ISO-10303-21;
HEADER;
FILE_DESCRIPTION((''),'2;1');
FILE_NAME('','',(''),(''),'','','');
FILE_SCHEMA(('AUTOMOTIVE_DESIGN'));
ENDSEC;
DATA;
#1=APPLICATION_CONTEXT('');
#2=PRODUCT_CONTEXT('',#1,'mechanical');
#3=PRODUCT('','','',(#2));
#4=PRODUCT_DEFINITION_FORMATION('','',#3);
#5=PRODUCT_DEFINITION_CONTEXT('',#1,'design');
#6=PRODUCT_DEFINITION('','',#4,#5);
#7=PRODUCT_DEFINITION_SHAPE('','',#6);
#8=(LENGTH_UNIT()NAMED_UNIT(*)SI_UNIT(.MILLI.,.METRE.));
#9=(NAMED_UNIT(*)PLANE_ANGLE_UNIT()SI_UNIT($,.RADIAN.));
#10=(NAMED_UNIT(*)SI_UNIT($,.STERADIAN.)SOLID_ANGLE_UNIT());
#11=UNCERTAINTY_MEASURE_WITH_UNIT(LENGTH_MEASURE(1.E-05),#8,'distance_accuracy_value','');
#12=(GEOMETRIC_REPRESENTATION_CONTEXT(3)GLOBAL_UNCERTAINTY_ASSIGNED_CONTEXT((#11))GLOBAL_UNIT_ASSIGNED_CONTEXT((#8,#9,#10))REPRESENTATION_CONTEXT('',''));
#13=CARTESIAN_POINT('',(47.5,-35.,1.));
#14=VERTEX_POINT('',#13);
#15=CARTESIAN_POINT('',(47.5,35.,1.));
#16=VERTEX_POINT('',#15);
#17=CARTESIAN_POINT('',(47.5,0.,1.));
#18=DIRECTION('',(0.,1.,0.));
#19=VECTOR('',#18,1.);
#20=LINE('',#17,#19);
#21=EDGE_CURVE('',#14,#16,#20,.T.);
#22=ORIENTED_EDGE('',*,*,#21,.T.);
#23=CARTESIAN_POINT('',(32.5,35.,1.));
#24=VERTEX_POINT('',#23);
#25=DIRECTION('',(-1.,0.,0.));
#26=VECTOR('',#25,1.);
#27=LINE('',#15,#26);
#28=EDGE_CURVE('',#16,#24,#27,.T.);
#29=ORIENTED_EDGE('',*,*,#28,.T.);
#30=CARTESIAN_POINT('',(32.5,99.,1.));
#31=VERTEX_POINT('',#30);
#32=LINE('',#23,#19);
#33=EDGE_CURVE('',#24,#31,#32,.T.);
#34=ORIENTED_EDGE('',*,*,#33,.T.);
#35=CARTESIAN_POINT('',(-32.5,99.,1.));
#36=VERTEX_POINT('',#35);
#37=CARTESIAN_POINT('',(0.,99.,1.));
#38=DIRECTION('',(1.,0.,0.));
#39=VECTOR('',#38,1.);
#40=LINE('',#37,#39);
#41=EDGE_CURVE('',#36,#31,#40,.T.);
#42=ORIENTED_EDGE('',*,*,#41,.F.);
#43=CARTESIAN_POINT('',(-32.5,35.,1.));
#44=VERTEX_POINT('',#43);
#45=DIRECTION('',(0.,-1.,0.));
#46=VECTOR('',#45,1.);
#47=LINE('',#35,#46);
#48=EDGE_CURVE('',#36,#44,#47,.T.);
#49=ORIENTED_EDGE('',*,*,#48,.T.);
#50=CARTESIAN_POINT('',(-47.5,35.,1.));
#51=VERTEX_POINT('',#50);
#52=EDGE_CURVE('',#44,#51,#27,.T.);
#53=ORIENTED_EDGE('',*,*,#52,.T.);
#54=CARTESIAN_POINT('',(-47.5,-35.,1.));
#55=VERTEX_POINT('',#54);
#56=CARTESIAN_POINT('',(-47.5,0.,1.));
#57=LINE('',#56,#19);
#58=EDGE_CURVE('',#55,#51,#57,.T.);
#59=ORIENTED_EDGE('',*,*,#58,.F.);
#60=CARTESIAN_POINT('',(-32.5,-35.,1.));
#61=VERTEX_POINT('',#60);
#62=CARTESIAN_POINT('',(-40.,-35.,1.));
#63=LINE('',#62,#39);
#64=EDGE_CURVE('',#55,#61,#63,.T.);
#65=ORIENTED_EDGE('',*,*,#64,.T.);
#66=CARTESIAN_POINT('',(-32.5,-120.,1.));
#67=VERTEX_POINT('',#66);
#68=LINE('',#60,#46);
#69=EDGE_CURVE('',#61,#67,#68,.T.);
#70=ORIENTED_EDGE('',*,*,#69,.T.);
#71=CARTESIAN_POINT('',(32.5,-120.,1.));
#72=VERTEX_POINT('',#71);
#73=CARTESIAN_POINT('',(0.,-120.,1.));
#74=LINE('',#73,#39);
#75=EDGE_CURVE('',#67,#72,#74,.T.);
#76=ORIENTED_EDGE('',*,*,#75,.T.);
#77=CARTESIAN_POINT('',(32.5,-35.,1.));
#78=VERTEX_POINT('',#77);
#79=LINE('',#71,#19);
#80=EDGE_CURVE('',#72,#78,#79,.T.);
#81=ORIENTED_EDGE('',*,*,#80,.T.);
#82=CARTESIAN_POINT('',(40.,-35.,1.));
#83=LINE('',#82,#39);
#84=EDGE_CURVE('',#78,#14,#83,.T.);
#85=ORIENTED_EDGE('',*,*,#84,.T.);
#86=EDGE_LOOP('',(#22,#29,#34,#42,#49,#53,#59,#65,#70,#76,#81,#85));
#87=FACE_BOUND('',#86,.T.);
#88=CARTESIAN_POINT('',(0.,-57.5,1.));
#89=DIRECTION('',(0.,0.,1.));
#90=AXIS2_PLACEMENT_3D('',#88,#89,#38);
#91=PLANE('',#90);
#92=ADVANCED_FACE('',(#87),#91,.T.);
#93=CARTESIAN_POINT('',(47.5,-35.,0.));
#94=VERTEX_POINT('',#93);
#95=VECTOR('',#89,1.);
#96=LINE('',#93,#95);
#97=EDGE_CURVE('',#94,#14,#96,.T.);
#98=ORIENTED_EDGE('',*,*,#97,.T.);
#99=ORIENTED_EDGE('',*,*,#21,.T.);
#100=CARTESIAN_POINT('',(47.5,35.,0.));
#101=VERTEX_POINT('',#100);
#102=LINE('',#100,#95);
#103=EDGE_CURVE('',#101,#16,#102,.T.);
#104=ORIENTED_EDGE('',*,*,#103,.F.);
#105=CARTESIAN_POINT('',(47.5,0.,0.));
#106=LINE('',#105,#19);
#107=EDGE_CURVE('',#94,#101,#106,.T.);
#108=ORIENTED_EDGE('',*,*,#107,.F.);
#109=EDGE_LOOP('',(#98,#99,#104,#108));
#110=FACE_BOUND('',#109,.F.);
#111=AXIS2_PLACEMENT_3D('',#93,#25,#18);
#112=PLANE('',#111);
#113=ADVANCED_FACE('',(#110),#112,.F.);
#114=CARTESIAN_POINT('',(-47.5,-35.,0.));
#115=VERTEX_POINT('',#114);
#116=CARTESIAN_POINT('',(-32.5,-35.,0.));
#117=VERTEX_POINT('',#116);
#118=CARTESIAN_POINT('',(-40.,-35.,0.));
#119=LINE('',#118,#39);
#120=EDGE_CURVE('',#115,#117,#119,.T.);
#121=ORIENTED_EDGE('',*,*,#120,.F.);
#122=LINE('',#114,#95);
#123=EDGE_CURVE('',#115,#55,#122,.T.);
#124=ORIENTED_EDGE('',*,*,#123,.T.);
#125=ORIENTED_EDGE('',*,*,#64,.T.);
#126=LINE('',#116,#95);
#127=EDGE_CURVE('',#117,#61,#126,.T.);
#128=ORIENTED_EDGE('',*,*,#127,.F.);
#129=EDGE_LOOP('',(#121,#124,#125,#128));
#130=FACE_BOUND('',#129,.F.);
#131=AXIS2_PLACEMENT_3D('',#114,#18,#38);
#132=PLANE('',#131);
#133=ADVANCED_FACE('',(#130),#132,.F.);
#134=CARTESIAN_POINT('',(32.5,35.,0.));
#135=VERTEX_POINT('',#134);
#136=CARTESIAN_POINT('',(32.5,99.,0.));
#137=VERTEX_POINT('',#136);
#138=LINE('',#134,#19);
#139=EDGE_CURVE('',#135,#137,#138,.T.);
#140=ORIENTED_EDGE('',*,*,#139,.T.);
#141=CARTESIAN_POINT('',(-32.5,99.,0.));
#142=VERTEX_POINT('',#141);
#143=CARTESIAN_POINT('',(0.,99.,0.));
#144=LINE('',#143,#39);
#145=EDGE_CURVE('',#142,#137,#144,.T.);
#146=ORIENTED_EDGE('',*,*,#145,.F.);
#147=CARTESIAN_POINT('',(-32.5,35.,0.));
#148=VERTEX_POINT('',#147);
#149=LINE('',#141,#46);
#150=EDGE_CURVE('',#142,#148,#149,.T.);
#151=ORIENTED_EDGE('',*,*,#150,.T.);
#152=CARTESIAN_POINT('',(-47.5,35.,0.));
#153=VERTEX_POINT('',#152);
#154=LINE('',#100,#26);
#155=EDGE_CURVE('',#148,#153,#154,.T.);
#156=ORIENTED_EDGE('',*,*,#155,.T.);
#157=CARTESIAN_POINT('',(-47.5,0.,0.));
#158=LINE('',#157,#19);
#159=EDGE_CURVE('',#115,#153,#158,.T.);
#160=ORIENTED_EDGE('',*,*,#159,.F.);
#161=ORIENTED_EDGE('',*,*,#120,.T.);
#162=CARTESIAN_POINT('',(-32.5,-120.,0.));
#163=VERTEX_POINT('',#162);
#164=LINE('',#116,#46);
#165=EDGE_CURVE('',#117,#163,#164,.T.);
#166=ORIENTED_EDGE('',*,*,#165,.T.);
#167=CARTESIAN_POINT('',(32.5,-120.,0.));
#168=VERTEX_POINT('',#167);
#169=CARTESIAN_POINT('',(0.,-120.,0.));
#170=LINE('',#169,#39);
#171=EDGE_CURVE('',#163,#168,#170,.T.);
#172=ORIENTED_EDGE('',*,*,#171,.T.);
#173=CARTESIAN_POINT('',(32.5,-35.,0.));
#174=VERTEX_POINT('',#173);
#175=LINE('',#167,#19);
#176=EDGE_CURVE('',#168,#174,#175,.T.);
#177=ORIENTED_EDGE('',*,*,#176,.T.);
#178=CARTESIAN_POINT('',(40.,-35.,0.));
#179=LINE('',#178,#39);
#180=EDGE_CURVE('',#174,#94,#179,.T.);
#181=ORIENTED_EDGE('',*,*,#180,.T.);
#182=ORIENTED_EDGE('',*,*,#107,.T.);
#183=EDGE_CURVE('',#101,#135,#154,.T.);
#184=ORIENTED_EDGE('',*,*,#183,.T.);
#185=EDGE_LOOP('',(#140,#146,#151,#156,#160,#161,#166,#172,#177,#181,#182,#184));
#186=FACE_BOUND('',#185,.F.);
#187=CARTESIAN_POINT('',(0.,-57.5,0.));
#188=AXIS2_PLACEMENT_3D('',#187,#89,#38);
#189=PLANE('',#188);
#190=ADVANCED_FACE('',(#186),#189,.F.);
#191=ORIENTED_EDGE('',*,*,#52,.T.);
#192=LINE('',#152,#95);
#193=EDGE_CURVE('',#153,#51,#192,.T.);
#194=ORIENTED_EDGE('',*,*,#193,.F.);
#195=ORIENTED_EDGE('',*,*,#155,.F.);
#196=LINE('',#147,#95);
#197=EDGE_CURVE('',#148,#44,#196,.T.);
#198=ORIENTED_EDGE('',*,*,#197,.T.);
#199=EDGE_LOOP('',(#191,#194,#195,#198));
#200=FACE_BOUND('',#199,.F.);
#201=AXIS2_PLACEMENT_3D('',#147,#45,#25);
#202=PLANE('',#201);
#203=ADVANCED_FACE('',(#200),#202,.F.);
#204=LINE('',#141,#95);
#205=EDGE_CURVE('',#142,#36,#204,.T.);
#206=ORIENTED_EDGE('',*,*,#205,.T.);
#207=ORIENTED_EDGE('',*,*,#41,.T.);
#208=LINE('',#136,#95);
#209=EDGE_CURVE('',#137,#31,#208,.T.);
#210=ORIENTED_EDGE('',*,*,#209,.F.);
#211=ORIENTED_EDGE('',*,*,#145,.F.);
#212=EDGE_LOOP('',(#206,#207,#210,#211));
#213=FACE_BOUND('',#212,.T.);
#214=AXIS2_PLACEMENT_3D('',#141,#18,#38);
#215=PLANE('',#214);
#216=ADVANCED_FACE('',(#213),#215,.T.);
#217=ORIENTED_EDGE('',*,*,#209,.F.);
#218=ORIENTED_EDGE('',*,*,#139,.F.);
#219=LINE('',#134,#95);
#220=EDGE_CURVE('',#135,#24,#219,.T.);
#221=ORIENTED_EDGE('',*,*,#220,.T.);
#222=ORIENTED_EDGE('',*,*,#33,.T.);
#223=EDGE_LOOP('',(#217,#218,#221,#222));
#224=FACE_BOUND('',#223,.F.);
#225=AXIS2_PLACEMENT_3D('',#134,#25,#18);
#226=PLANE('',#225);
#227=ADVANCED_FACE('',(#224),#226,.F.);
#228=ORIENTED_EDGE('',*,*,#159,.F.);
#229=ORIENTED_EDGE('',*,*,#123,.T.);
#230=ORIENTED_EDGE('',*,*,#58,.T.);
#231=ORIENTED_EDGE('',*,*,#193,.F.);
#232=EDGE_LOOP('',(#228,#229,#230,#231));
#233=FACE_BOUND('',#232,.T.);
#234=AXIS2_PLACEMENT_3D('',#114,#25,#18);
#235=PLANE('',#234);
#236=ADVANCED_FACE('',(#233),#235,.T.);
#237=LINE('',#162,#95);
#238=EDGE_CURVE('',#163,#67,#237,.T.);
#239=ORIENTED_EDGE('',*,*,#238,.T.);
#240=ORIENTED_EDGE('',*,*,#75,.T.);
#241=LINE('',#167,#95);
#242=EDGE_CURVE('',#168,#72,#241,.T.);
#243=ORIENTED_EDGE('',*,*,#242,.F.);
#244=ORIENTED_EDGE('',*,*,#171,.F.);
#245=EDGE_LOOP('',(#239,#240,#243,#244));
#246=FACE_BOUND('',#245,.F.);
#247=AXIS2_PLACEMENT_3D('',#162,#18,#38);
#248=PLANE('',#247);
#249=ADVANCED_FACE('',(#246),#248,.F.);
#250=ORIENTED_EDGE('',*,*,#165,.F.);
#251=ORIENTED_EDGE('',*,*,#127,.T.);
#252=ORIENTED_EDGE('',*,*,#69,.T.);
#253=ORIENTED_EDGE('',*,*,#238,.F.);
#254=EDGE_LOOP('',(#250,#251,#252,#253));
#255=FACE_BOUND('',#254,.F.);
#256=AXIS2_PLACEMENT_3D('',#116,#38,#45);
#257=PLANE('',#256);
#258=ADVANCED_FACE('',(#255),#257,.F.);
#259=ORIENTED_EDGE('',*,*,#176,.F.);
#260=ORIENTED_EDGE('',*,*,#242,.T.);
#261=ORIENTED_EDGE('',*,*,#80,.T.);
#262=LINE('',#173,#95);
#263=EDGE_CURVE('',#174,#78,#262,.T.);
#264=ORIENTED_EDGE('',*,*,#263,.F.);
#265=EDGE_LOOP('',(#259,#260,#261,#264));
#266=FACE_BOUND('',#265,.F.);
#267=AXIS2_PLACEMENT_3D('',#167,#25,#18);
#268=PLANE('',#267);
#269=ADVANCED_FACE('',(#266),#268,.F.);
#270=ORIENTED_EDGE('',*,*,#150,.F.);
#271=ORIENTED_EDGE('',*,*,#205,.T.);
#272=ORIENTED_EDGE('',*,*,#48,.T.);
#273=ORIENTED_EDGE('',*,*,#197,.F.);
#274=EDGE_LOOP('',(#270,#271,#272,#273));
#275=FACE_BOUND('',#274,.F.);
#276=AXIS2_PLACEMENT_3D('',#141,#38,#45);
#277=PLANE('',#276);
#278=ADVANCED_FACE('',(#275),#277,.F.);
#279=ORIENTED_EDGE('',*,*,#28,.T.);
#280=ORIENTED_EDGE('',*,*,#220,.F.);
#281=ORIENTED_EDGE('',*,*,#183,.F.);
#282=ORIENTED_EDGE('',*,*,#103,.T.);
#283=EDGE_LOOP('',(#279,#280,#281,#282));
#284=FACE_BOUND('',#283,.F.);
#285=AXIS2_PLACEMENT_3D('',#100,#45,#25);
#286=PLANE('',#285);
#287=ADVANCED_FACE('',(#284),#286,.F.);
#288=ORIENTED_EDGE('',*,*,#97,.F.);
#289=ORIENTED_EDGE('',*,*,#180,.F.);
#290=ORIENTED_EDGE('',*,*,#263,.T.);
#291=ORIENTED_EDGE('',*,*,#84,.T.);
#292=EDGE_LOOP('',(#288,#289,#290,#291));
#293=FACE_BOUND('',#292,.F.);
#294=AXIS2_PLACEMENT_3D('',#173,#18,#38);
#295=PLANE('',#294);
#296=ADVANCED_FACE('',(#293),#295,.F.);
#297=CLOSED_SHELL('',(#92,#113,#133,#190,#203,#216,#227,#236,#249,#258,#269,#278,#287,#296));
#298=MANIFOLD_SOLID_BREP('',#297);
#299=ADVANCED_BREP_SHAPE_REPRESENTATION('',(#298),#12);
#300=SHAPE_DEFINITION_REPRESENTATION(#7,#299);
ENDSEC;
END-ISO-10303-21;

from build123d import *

# Parameters (mm, degrees)
F0_W     = 65
F0_H     = 45
F0_H_2   = 70
F0_W_2   = 15
F0_H_3   = 25
F0_H_4   = 19
F0_H_5   = 15
F1_DEPTH = 1


with BuildPart() as f1:
    # F0 (on Top) → F1 (new body)
    with BuildSketch(Plane.XY):
        with Locations((0, -57.5)):
            Rectangle(F0_W, F0_H)
        Rectangle(F0_W, F0_H_2)
        with Locations((40, 0)):
            Rectangle(F0_W_2, F0_H_2)
        with Locations((-40, 0)):
            Rectangle(F0_W_2, F0_H_2)
        with Locations((0, 57.5)):
            Rectangle(F0_W, F0_H)
        with Locations((0, -92.5)):
            Rectangle(F0_W, F0_H_3)
        with Locations((0, 89.5)):
            Rectangle(F0_W, F0_H_4)
        with Locations((0, -112.5)):
            Rectangle(F0_W, F0_H_5)
    extrude(amount=F1_DEPTH)


solid = f1.part
